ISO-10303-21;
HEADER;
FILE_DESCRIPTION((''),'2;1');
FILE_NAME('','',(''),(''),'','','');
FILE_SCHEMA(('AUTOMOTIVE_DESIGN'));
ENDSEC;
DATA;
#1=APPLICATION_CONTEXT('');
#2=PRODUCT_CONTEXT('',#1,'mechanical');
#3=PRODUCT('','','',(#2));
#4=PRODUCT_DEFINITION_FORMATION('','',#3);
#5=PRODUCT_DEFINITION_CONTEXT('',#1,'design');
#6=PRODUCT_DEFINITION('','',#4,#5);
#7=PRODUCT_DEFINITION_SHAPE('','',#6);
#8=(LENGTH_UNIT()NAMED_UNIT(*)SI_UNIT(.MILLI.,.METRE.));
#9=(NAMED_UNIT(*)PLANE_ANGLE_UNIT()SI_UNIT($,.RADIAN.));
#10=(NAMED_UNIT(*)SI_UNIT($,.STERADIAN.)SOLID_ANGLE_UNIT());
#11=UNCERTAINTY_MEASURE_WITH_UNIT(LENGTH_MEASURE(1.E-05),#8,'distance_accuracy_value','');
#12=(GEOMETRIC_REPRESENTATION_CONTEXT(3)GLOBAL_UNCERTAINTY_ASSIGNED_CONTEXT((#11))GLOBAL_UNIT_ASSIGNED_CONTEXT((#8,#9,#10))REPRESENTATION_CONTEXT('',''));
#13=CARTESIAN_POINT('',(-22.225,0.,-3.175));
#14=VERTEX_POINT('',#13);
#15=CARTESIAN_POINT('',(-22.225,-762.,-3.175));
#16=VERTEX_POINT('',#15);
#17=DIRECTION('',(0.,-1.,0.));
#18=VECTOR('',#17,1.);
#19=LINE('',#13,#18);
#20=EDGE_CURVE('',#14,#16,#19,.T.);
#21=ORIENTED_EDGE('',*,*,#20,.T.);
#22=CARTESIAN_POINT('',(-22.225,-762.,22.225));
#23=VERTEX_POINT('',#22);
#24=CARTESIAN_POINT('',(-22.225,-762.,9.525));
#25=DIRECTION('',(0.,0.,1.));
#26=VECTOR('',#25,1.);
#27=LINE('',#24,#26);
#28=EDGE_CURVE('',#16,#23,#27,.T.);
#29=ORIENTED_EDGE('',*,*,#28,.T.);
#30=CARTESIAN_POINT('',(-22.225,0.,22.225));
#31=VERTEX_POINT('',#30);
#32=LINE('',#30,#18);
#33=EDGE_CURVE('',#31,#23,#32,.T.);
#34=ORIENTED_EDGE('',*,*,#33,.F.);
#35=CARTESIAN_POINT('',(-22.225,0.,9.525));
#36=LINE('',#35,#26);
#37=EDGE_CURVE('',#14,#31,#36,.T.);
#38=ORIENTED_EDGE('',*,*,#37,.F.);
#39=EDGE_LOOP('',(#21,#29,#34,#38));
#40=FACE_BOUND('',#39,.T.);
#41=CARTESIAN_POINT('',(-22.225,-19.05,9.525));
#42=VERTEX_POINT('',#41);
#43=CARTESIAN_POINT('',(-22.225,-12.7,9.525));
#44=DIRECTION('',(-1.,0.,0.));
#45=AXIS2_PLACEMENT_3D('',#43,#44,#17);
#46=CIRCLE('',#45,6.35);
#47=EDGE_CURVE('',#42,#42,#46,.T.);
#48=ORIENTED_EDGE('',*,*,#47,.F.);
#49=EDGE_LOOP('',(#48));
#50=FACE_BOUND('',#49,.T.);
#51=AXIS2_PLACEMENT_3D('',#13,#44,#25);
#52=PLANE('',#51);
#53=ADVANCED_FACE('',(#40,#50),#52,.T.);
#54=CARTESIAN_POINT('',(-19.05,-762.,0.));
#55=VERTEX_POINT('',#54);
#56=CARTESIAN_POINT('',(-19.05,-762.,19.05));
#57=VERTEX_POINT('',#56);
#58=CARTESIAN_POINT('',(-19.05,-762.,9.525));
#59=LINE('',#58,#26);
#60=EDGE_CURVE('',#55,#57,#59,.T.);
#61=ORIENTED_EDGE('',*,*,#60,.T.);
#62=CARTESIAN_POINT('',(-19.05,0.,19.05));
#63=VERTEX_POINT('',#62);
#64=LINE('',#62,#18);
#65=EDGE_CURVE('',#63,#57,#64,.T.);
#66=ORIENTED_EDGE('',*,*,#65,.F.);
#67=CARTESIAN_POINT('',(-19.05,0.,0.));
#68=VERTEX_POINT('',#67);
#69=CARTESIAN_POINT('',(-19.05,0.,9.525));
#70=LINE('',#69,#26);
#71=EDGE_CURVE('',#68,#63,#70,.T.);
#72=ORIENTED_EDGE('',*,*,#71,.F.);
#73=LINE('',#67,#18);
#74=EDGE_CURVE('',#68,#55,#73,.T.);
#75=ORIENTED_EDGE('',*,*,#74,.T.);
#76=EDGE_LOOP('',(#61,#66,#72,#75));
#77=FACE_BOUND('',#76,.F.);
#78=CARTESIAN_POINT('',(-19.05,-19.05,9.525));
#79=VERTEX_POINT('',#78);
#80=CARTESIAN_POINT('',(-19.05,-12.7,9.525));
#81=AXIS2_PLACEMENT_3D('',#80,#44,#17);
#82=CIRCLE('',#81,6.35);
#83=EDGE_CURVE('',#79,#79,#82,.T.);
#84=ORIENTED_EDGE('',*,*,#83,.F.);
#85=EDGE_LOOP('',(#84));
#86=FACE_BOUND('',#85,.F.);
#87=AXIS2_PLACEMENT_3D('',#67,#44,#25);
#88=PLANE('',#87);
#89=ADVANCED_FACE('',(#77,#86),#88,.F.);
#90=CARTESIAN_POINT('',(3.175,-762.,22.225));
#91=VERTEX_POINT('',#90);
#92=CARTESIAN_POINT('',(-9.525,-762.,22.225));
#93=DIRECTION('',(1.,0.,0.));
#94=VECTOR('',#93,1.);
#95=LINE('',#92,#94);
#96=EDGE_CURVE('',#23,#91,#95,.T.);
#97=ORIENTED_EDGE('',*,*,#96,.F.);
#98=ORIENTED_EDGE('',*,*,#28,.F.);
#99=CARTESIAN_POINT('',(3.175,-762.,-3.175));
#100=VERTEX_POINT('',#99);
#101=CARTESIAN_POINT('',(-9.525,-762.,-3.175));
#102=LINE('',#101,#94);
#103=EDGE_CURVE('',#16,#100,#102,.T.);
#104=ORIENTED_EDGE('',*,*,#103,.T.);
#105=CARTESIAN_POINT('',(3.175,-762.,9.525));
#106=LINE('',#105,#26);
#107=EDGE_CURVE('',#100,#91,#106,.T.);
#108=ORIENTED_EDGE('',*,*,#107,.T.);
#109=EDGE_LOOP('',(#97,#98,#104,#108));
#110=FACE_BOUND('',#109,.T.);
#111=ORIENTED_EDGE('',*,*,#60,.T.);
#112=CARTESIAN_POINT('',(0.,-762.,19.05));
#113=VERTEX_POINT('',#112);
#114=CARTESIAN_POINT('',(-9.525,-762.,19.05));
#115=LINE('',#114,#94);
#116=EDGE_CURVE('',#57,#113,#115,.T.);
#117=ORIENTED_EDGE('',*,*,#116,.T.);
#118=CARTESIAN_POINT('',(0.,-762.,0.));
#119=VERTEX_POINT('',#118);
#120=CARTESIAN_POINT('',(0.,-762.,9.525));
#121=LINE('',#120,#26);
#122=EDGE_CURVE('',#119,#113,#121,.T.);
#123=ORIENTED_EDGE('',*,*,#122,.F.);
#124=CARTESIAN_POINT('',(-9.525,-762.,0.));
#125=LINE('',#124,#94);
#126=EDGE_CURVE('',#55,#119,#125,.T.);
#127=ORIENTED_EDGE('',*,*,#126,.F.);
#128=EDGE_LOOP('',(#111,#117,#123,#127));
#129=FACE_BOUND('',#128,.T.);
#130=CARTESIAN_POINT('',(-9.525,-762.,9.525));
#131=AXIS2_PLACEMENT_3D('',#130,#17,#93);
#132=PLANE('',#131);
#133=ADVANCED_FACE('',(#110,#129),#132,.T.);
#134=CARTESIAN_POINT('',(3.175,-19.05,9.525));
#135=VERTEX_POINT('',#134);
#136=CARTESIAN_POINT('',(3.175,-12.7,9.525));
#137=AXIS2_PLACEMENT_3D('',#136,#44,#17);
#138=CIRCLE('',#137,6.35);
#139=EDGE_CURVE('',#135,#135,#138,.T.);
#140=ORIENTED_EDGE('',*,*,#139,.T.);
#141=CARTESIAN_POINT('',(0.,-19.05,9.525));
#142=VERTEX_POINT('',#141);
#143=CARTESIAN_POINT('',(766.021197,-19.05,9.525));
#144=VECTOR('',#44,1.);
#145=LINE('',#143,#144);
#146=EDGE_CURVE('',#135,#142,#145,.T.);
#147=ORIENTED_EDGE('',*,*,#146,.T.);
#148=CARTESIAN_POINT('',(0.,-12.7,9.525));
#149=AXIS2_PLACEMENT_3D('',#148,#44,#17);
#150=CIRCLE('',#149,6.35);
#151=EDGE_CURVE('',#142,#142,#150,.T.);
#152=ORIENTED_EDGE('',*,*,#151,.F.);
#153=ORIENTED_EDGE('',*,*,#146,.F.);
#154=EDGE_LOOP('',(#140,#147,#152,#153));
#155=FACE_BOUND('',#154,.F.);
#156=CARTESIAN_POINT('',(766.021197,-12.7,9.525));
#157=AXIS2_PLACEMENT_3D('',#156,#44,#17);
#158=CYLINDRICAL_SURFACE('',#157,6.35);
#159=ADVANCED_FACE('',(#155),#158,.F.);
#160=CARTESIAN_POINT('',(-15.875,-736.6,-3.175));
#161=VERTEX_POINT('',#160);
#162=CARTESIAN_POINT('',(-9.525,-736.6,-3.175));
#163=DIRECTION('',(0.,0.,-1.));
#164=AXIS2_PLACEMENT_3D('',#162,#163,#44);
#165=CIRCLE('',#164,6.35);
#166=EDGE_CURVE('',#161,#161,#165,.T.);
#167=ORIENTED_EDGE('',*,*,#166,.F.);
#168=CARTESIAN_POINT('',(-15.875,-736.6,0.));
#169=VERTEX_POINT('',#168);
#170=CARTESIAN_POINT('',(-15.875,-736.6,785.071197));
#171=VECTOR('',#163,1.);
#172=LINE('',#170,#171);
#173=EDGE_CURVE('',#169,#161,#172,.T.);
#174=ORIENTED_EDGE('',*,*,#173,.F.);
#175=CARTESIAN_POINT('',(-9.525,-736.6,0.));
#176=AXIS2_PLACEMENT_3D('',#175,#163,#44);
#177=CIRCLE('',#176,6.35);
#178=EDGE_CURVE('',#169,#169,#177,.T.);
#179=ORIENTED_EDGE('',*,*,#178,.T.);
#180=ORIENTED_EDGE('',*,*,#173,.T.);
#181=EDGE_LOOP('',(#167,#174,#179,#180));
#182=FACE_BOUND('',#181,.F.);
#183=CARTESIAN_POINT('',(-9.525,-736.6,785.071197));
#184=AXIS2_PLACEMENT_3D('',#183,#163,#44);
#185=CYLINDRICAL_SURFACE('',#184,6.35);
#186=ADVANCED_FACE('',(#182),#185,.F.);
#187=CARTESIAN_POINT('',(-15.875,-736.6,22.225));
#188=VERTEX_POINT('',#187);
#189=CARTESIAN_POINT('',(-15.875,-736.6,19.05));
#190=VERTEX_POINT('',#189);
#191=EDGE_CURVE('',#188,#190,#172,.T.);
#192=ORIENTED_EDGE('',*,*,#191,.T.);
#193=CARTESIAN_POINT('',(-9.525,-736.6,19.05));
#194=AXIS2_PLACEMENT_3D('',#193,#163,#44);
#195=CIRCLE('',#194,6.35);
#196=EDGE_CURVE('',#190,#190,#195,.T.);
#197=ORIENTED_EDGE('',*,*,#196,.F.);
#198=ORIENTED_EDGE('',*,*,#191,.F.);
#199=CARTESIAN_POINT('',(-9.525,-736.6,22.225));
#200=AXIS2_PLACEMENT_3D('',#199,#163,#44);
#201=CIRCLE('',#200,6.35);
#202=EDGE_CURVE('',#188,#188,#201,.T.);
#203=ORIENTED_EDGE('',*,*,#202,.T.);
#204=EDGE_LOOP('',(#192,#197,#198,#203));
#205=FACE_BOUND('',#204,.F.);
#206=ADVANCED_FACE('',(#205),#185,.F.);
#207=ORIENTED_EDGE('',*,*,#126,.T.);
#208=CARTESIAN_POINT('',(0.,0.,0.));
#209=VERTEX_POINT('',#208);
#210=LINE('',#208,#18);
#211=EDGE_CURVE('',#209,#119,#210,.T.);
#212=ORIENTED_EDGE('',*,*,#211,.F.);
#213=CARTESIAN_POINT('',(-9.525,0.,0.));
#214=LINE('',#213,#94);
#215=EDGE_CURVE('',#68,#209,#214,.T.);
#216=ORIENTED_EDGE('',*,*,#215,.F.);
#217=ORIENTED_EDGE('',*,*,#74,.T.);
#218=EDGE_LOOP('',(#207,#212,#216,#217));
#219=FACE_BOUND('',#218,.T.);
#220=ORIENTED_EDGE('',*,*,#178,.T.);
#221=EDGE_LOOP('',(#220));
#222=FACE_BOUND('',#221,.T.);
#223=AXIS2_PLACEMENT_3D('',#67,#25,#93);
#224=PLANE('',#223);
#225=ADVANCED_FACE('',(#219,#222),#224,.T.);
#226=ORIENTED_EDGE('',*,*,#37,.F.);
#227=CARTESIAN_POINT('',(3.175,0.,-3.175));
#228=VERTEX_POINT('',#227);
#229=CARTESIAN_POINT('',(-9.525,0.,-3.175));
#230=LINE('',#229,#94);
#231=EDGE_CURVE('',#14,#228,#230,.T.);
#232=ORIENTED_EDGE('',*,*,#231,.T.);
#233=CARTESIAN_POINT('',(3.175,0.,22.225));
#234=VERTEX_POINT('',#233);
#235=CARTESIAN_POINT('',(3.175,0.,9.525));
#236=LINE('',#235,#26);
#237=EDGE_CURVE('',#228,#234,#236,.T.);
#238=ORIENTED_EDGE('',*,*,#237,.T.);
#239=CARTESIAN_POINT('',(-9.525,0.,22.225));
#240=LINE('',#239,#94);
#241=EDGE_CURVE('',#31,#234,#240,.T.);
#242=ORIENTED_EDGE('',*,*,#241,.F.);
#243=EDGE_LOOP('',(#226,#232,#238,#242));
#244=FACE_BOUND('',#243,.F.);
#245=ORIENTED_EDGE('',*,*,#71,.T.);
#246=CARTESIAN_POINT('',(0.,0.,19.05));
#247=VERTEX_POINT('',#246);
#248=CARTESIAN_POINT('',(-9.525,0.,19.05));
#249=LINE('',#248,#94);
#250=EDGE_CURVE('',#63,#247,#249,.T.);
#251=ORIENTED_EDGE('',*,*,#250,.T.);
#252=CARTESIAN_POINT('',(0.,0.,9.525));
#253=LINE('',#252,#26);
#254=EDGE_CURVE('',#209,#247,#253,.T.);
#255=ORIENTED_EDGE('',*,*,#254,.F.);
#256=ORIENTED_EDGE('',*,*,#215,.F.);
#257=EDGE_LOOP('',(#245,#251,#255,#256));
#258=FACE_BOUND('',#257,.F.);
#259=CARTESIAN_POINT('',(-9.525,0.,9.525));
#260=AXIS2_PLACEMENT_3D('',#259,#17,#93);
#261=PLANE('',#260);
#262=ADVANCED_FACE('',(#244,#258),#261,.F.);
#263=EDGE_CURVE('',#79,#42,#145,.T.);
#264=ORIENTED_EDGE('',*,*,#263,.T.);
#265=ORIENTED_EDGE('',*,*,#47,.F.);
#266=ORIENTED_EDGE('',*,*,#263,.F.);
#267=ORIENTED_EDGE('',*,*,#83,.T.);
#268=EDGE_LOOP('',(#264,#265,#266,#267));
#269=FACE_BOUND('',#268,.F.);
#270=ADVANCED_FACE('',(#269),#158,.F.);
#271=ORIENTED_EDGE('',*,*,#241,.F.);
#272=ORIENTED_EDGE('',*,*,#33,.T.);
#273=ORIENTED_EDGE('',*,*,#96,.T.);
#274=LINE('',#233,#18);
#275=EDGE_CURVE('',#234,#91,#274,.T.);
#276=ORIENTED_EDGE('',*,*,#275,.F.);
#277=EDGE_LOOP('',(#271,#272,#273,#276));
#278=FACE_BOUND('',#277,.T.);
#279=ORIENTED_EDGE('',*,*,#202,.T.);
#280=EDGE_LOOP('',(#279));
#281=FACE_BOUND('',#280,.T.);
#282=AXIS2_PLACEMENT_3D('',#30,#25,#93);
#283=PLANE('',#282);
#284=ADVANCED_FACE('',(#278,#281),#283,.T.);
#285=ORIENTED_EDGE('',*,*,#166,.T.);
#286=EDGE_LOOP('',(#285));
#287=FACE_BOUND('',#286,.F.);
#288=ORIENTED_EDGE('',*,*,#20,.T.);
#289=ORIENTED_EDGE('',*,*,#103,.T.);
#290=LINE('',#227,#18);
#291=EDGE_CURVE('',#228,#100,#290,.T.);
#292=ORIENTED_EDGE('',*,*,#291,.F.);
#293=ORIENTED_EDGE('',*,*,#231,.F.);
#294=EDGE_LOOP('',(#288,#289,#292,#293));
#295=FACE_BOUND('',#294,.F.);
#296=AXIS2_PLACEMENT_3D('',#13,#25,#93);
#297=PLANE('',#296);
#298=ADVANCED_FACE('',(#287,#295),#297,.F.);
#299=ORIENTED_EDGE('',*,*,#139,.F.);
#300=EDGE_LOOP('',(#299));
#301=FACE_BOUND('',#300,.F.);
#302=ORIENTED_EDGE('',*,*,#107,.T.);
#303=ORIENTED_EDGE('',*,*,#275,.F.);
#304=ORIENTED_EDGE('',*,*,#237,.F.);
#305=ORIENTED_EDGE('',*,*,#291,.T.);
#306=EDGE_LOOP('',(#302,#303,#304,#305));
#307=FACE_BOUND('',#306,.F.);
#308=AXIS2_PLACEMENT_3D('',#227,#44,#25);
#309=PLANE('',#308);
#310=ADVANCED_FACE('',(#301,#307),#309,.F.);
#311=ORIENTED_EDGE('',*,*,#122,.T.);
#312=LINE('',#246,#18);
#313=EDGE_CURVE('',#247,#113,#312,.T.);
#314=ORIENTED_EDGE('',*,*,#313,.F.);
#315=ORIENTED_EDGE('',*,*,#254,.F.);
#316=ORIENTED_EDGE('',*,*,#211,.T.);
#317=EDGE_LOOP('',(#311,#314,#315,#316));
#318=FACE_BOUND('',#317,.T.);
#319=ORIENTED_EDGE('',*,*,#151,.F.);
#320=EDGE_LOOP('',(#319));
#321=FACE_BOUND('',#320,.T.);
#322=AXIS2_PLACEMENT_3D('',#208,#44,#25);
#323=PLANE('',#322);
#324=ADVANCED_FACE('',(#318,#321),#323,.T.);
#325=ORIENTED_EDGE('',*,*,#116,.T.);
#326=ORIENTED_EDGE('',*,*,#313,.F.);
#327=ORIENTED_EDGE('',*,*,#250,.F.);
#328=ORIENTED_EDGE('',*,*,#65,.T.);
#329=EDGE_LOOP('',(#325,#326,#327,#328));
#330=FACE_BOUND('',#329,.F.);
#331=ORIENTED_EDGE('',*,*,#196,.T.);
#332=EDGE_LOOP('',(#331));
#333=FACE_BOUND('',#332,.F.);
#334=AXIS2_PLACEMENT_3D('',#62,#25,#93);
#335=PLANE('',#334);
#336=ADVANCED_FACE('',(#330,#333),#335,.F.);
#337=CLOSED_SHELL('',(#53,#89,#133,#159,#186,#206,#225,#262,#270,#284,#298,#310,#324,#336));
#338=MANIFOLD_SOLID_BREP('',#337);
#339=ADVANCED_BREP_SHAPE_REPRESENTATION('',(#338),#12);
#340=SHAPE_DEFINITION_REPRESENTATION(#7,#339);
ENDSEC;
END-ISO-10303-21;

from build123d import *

# Parameters (mm, degrees)
F0_W     = 25.4
F0_H     = 25.4
F0_W_2   = 19.05
F0_H_2   = 19.05
F1_DEPTH = 762
F3_D     = 12.7
F5_D     = 12.7


with BuildPart() as f1:
    # F0 (on Front) → F1 (new body)
    with BuildSketch(Plane.XZ):
        with Locations((-9.525, 9.525)):
            Rectangle(F0_W, F0_H)
        with Locations((-9.525, 9.525)):
            Rectangle(F0_W_2, F0_H_2, mode=Mode.SUBTRACT)
    extrude(amount=F1_DEPTH)

    # F3 (through all)
    with Locations(Plane.XY.offset(22.225)):
        with Locations((-9.525, -736.6)):
            Hole(F3_D / 2)

    # F5 (through all)
    with Locations(Plane.YZ.offset(3.175)):
        with Locations((-12.7, 9.525)):
            Hole(F5_D / 2)


solid = f1.part
